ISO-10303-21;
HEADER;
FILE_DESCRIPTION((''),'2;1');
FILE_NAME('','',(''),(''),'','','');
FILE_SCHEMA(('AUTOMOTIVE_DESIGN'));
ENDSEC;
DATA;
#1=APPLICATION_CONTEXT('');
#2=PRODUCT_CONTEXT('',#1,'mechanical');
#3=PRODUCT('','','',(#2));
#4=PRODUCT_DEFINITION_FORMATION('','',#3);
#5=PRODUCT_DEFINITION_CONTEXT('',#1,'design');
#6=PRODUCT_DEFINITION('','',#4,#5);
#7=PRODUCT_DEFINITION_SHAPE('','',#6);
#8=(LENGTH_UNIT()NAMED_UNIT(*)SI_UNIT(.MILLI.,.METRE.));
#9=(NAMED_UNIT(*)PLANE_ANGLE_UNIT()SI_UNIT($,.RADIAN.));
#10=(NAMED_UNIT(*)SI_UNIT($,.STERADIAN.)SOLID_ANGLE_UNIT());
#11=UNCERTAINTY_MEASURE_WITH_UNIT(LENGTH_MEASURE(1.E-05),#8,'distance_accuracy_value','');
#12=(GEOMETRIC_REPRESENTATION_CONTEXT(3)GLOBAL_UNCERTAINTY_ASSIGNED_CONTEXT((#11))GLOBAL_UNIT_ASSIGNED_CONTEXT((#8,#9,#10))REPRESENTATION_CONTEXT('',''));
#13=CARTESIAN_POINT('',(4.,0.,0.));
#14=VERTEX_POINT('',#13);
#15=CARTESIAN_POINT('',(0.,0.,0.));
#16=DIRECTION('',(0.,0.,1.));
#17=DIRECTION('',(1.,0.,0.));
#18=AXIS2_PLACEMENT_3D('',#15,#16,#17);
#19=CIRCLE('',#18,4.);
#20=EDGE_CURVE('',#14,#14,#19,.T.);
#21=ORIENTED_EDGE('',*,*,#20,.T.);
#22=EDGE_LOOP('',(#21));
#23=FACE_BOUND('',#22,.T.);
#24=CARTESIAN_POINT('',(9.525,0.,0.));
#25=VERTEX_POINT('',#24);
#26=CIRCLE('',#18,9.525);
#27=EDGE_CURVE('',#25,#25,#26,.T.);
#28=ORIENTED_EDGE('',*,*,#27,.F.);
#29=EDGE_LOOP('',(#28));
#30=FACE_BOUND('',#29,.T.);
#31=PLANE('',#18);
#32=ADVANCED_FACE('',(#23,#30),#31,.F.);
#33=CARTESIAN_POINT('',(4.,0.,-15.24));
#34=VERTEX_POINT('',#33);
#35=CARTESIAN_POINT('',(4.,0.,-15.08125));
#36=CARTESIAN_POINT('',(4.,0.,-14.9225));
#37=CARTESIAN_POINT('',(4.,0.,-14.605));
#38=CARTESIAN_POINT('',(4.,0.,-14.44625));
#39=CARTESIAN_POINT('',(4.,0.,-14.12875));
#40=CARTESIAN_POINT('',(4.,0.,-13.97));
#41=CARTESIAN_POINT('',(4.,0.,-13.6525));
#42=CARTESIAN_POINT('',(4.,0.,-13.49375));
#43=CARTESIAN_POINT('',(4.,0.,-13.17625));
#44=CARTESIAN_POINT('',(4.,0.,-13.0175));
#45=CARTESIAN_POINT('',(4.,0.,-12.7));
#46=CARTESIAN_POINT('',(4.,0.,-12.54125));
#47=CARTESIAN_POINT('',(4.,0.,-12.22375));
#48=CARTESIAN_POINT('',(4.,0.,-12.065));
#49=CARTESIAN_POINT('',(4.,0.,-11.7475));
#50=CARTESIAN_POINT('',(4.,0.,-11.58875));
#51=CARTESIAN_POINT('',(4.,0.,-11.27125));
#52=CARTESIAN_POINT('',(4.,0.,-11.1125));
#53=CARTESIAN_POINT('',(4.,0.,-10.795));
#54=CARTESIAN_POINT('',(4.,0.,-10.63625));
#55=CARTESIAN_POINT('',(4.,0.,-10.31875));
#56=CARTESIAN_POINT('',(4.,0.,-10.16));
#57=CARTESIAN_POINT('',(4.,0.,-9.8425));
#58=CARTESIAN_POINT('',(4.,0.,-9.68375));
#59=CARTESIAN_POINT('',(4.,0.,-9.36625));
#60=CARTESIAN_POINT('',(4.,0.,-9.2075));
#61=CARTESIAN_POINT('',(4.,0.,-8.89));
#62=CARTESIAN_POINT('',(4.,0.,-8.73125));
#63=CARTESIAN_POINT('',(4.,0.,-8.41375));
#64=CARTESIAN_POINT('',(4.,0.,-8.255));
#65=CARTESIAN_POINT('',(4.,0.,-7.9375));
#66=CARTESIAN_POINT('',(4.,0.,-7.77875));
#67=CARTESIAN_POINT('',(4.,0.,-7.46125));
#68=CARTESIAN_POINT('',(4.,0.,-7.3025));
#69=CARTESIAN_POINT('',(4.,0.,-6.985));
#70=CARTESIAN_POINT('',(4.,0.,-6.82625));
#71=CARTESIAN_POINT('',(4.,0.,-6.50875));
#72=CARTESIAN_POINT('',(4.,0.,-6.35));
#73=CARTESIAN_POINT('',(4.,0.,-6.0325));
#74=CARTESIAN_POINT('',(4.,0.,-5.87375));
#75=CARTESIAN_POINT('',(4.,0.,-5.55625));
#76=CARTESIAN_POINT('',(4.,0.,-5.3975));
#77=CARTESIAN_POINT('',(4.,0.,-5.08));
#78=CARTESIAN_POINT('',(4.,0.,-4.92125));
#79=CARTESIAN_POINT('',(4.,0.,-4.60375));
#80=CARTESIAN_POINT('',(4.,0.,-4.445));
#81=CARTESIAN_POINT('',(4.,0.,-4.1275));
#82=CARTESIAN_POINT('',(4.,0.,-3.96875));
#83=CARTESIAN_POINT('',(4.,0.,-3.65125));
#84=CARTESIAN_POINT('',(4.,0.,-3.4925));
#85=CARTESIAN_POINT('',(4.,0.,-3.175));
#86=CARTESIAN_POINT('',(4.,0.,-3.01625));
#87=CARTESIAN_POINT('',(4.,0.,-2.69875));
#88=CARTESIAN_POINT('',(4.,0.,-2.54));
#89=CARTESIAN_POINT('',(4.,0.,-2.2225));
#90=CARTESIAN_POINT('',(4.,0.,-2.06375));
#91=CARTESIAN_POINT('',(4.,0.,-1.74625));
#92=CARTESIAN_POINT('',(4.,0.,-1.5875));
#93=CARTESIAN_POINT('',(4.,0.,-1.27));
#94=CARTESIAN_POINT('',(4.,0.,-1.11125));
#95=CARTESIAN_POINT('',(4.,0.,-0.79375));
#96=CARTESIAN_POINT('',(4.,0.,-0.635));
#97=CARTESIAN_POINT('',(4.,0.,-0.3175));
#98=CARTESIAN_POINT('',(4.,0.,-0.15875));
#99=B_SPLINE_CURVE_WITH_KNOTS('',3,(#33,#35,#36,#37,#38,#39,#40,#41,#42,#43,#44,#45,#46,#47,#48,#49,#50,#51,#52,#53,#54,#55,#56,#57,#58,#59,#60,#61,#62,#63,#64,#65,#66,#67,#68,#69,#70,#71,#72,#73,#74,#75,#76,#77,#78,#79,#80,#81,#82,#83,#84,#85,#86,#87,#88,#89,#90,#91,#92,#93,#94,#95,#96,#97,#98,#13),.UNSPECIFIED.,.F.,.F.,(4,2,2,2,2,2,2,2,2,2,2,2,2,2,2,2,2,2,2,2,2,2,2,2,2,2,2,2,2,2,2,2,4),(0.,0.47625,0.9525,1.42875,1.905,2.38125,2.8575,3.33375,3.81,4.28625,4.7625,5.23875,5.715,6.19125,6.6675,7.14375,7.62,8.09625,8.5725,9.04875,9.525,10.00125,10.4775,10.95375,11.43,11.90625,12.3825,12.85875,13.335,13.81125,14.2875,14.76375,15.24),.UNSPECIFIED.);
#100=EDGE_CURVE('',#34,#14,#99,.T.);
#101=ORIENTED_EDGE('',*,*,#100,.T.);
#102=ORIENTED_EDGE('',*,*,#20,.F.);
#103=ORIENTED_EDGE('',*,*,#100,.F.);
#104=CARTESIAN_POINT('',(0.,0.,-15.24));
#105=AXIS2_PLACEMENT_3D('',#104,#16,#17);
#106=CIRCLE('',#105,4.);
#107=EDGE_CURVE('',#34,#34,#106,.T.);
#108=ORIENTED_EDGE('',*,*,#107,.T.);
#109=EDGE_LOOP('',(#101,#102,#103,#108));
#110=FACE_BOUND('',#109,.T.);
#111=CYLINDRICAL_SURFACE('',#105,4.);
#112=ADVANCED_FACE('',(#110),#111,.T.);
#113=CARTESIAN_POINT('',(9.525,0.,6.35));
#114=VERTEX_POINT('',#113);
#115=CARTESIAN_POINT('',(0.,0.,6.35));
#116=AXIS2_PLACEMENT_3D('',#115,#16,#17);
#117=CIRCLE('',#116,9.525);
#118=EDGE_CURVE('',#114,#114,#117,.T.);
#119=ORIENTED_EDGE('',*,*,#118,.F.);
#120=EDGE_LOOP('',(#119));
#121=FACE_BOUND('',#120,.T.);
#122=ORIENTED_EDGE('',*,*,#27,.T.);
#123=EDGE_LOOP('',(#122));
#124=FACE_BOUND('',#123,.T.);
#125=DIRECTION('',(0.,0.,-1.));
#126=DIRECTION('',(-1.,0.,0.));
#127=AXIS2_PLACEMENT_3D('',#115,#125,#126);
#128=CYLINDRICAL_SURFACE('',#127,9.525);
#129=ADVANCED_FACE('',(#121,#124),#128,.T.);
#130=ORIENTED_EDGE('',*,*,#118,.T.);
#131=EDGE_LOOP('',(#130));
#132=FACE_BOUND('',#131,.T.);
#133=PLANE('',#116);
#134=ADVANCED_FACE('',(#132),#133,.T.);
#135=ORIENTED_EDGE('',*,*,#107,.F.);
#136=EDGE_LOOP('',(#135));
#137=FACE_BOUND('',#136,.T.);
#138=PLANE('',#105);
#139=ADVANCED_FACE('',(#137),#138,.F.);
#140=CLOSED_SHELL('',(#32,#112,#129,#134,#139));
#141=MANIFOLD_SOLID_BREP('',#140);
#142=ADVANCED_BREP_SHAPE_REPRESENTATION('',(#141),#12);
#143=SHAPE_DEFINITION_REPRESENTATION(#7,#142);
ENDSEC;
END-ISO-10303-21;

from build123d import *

# Parameters (mm, degrees)
SKETCH1_R           = 9.525
BOSS_EXTRUDE1_DEPTH = 6.35
SKETCH2_R           = 4
BOSS_EXTRUDE2_DEPTH = 15.24


with BuildPart() as part:
    # Sketch1 → Boss-Extrude1 (new body)
    with BuildSketch(Plane.XY):
        Circle(SKETCH1_R)
    extrude(amount=BOSS_EXTRUDE1_DEPTH)

    # Sketch2 → Boss-Extrude2 (add)
    with BuildSketch(Plane.XY):
        Circle(SKETCH2_R)
    extrude(amount=-BOSS_EXTRUDE2_DEPTH)


solid = part.part
